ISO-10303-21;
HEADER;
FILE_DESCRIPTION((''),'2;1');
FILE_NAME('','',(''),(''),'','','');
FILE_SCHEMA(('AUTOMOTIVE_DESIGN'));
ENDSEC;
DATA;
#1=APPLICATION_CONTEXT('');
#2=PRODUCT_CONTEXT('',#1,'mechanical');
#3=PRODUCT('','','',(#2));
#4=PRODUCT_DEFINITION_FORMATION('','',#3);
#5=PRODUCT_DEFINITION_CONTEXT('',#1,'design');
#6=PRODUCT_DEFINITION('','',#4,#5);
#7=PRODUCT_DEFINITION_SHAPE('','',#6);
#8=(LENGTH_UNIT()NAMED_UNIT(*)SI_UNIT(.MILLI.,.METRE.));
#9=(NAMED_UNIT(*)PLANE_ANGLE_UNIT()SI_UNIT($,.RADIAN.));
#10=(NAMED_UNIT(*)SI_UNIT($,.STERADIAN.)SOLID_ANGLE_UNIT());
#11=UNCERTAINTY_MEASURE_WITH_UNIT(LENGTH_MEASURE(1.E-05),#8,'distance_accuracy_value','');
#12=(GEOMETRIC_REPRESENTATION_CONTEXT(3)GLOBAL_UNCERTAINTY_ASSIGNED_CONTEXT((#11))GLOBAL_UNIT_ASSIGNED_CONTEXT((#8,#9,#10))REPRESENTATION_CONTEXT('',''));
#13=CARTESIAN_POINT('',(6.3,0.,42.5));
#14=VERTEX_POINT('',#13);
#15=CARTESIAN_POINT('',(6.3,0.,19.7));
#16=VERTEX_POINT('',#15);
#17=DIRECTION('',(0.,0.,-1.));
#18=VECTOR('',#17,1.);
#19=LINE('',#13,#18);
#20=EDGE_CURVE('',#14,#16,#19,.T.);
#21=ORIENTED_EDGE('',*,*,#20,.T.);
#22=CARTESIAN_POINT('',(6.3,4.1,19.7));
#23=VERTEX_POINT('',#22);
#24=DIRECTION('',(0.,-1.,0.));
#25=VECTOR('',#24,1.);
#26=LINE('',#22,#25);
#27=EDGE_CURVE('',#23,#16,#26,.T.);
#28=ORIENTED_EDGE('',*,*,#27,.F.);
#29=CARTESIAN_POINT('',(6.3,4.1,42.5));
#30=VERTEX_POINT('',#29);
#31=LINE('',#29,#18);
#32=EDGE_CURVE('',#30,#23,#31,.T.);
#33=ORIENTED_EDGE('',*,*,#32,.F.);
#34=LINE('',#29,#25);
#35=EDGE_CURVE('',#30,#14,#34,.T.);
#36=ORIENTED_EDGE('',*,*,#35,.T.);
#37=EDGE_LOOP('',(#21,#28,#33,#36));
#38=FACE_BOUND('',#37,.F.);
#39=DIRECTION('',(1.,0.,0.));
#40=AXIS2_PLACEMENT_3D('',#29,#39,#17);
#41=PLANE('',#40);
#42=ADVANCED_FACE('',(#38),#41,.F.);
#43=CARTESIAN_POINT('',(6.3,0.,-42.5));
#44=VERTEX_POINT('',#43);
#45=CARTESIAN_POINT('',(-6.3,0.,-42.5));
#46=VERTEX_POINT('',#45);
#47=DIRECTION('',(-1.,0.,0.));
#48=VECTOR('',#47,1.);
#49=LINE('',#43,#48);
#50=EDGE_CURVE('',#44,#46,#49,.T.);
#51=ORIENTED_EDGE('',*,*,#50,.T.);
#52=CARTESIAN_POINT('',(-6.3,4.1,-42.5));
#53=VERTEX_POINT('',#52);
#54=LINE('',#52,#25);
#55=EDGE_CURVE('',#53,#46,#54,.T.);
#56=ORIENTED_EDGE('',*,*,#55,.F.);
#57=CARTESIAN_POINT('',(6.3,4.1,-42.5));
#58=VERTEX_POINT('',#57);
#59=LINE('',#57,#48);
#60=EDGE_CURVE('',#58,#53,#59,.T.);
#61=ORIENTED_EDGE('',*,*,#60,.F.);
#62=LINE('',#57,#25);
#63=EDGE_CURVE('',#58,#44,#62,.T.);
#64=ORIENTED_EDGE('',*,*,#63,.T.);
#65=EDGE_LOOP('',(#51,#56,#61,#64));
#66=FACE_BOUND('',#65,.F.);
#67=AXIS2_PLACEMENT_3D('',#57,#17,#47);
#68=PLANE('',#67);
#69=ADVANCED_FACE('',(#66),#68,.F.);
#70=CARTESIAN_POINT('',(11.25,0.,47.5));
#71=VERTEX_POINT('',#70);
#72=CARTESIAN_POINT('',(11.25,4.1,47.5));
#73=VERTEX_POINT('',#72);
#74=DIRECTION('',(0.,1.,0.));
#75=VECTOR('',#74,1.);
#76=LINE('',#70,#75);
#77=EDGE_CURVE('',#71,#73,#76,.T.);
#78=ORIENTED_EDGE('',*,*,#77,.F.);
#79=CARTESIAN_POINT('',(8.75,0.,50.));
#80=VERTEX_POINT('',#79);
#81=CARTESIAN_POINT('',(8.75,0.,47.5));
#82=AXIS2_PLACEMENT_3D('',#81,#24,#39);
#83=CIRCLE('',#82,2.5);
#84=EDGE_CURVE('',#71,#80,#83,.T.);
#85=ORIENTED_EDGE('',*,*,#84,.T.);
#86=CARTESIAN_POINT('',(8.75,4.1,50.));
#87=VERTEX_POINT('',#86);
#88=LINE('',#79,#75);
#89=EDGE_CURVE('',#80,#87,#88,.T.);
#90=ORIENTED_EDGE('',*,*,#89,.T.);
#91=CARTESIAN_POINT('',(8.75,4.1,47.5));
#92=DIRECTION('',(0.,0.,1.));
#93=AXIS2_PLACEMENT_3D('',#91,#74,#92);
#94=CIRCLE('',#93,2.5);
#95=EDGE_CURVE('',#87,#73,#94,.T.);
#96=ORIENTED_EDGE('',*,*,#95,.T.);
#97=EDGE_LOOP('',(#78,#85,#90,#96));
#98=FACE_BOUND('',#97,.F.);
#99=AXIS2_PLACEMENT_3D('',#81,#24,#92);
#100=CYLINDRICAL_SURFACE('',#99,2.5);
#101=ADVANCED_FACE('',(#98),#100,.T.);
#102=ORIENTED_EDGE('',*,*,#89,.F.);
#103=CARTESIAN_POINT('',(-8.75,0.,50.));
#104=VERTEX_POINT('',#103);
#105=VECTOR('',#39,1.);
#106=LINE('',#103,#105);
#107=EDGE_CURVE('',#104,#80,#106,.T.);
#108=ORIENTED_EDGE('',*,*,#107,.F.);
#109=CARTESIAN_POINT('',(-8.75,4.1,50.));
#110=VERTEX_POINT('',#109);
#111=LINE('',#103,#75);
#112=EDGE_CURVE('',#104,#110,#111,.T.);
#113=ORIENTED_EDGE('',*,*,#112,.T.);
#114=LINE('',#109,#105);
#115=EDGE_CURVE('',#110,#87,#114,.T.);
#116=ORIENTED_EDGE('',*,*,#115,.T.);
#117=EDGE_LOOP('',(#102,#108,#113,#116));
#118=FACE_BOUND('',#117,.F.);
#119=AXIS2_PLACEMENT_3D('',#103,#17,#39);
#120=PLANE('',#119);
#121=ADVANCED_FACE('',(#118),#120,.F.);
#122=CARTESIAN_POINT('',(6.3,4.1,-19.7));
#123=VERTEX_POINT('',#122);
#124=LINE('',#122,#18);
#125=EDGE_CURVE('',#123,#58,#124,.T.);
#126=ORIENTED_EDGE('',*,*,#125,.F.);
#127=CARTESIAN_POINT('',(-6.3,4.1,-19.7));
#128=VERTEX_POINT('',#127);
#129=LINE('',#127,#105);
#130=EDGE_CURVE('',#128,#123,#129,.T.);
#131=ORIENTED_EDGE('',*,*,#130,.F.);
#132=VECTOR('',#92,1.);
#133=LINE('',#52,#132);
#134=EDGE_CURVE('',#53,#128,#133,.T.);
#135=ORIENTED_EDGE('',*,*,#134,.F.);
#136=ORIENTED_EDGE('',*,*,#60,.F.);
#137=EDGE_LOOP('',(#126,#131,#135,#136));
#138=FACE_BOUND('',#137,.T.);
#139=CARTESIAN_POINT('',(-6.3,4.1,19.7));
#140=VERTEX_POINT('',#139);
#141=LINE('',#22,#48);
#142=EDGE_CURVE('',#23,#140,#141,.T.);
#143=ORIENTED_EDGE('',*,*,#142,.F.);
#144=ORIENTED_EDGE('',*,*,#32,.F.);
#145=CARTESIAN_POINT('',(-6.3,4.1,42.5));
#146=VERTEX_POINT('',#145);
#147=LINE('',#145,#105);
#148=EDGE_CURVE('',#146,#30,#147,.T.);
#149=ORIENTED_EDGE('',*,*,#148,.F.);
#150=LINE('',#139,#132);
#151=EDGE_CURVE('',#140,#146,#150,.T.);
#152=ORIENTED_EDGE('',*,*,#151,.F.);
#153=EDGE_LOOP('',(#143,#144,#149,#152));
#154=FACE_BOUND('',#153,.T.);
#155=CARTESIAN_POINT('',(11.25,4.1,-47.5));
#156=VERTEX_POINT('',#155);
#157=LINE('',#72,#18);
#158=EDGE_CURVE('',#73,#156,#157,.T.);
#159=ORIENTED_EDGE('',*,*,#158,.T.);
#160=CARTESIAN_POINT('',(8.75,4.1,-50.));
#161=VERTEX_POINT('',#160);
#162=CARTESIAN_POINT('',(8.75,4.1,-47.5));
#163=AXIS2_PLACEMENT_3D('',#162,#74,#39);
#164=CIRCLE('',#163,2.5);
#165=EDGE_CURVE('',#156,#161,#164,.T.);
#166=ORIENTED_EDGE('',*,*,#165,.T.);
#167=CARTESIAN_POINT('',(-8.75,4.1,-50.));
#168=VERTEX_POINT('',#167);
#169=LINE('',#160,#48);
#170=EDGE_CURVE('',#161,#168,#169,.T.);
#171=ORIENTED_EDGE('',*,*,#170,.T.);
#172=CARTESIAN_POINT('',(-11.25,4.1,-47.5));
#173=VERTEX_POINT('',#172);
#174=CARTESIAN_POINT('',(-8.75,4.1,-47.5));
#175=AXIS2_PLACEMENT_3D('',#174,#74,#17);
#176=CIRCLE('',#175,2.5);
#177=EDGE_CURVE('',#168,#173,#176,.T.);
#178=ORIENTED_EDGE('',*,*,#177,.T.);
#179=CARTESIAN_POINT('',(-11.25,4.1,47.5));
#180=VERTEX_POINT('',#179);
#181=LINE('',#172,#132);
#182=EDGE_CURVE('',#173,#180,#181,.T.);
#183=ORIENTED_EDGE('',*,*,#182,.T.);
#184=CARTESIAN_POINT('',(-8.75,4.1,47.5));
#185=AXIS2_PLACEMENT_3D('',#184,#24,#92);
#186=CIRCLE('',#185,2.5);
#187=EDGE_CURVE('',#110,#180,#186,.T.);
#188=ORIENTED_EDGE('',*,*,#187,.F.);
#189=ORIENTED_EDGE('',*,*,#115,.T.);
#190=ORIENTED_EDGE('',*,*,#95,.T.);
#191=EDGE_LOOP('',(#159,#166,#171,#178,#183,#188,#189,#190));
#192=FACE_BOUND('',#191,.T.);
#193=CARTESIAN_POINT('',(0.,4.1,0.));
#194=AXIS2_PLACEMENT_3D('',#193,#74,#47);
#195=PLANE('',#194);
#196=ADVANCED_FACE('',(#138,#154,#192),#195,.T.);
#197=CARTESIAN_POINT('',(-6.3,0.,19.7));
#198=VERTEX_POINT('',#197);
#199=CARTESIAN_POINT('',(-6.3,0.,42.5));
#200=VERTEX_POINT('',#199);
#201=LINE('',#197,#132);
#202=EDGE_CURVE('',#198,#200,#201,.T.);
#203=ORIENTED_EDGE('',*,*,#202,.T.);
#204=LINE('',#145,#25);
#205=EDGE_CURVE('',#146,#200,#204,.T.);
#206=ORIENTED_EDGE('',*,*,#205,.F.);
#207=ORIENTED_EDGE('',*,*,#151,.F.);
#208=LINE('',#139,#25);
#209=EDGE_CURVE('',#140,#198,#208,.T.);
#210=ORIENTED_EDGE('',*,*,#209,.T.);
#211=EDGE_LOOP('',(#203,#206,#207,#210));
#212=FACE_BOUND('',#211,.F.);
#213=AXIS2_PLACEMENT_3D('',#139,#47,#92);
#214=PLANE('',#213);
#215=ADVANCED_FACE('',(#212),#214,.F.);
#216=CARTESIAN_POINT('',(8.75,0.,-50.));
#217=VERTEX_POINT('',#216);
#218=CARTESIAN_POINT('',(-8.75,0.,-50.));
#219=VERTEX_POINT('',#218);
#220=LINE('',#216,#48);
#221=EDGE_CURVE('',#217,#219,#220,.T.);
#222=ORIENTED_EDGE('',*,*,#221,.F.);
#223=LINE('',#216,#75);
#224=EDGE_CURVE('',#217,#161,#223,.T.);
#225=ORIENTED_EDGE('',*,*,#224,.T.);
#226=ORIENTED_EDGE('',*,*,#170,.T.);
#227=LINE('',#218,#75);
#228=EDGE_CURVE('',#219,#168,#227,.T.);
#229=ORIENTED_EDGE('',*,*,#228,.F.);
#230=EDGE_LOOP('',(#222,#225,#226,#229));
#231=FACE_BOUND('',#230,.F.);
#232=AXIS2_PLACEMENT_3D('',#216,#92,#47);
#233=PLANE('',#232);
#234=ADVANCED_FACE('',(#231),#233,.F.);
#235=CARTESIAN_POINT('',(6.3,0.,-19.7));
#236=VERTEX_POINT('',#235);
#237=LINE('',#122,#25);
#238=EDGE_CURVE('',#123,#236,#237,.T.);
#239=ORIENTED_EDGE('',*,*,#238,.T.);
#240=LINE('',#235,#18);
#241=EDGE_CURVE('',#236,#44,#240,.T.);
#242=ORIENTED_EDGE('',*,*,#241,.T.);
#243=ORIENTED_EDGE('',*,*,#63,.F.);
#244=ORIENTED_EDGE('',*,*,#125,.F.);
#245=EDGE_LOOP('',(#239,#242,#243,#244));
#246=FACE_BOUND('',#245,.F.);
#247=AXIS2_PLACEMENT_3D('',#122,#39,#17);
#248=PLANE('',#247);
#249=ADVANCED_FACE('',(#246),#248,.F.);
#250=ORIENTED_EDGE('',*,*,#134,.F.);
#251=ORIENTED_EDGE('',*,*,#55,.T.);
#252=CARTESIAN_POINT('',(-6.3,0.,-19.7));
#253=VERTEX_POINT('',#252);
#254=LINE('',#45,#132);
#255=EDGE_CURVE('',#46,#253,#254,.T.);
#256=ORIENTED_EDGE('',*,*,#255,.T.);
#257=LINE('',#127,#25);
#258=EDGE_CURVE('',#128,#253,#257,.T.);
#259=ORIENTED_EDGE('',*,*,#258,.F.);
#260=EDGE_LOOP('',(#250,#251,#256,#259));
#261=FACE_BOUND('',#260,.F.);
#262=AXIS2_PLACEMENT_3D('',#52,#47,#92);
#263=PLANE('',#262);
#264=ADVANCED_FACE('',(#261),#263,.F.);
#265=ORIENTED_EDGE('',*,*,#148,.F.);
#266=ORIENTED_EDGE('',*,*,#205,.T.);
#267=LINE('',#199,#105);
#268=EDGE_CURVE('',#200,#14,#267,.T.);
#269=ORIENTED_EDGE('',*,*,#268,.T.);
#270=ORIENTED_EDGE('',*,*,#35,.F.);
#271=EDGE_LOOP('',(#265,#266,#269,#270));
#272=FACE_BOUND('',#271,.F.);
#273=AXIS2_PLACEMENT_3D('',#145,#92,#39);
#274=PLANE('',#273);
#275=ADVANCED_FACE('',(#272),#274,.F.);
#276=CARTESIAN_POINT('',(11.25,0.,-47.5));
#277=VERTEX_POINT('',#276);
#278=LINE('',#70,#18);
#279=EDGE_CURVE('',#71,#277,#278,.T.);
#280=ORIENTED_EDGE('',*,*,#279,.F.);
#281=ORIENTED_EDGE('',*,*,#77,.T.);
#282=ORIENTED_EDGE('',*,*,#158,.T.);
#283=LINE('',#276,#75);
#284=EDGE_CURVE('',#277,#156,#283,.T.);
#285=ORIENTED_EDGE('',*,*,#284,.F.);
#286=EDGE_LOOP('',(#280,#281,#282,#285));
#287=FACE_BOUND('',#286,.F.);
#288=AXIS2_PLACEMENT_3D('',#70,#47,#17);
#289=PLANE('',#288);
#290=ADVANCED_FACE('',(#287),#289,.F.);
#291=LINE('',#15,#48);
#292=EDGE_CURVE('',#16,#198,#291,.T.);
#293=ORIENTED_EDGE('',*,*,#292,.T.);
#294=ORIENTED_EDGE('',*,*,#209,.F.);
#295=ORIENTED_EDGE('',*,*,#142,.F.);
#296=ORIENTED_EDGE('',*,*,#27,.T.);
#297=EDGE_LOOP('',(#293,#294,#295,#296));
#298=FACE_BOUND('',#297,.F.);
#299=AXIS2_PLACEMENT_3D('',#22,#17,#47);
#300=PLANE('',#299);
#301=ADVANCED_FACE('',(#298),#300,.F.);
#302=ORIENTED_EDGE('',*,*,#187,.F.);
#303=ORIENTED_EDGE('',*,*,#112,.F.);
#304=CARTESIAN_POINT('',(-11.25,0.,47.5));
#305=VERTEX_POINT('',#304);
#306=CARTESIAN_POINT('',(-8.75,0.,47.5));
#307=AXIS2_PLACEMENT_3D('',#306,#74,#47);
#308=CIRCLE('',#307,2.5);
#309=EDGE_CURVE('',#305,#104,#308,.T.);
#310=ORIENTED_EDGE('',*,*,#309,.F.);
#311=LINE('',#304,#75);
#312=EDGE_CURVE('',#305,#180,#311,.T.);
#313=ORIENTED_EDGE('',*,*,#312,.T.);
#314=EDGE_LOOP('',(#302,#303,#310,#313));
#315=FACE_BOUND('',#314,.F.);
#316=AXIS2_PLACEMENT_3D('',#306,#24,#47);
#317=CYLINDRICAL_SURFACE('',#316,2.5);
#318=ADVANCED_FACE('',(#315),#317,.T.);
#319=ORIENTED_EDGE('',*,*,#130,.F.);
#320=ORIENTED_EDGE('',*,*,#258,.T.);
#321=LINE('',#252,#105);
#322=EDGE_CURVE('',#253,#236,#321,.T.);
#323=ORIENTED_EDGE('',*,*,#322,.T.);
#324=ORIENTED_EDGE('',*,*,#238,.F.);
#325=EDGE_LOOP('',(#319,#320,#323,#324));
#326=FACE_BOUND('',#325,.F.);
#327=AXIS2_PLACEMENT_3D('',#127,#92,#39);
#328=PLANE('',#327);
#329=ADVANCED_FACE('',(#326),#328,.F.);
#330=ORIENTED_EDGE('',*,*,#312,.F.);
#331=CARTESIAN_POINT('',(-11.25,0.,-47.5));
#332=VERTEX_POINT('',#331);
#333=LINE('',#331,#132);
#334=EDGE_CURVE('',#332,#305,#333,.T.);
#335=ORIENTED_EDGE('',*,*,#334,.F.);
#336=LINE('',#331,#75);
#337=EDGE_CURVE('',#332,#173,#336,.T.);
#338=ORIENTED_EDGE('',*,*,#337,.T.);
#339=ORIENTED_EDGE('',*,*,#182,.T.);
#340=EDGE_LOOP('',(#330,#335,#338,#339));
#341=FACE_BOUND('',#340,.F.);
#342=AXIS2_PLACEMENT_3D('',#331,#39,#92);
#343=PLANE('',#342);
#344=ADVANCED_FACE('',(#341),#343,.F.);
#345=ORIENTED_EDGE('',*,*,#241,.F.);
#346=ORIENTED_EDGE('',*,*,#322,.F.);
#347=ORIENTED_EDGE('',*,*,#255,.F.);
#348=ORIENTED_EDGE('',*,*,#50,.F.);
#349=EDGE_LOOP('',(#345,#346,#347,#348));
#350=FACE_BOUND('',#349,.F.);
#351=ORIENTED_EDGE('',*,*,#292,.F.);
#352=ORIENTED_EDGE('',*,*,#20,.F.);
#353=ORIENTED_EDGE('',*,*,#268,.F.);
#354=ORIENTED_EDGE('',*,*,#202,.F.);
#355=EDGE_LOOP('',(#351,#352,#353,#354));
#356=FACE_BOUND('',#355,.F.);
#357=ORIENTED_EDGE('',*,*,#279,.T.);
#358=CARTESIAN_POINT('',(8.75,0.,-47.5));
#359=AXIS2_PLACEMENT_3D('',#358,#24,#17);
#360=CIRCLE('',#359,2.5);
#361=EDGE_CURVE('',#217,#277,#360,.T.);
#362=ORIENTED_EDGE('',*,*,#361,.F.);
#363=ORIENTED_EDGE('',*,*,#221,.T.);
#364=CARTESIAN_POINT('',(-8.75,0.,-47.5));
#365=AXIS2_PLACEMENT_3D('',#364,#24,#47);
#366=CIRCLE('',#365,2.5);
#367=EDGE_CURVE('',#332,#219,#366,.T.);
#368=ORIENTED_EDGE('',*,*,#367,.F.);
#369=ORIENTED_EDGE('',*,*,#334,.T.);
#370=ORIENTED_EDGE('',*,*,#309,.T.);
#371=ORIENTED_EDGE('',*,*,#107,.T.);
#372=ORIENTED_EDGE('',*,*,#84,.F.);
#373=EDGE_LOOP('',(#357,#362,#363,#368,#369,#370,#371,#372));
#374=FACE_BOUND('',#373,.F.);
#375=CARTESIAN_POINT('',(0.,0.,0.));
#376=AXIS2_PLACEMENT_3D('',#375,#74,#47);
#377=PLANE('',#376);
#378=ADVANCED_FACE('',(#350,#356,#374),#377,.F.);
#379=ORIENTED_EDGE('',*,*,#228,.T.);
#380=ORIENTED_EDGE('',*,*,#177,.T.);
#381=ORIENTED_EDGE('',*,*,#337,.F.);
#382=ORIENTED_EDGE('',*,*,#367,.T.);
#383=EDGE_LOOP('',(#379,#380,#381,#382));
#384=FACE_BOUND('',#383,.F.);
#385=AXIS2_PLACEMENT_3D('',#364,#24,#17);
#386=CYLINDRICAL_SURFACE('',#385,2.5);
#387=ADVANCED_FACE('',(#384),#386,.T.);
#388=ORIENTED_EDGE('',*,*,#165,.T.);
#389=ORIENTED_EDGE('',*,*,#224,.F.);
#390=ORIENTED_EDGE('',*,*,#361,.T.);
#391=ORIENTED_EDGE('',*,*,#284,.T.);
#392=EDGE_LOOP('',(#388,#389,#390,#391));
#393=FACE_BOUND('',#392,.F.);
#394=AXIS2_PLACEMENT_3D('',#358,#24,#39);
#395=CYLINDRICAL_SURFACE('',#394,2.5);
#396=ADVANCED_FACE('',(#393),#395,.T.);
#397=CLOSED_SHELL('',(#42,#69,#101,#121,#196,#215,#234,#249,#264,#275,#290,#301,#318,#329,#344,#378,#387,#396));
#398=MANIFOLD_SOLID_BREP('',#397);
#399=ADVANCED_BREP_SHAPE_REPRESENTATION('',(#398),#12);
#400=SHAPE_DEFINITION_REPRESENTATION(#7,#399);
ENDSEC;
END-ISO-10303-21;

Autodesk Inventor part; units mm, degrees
ref_plane "YZ Plane" through (0, 0, 0) normal (1, 0, 0) x (0, 1, 0)
ref_plane "XZ Plane" through (0, 0, 0) normal (0, 1, 0) x (-1, 0, 0)
ref_plane "XY Plane" through (0, 0, 0) normal (0, 0, 1) x (1, 0, 0)
sketch "Szkic1" plane through (0, 0, 0) normal (0, 1, 0) x (-1, 0, 0)
  line L0 (8.75, 50) -> (-8.75, 50)
  line L1 (-11.25, 47.5) -> (-11.25, -47.5)
  line L2 (-8.75, -50) -> (8.75, -50)
  line L3 (11.25, -47.5) -> (11.25, 47.5)
  line L4 (-11.25, 50) -> (11.25, -50)
  line L5 (-11.25, -50) -> (11.25, 50)
  arc A0 (11.25, 47.5) -> (8.75, 50) centre (8.75, 47.5) ccw
  arc A1 (-8.75, 50) -> (-11.25, 47.5) centre (-8.75, 47.5) ccw
  arc A2 (-11.25, -47.5) -> (-8.75, -50) centre (-8.75, -47.5) ccw
  arc A3 (8.75, -50) -> (11.25, -47.5) centre (8.75, -47.5) ccw
  point P0 (0, 0)
  point P1 (0, 0)
  dimension "d0" = 22.5
  dimension "d1" = 100
  dimension "d2" = 2.5
extrude "Wyciągnięcie proste1" add sketch "Szkic1" along normal blind 4.1
sketch "Szkic2" plane through (0, 4.1, 0) normal (0, 1, 0) x (1, 0, 0)
  line L0 (-6.3, -42.5) -> (6.3, -42.5)
  line L1 (6.3, -42.5) -> (6.3, -19.7)
  line L2 (6.3, -19.7) -> (-6.3, -19.7)
  line L3 (-6.3, -19.7) -> (-6.3, -42.5)
  line L4 (-8.75, -50) -> (8.75, -50) projected
  line L5 (11.25, -47.5) -> (11.25, 47.5) projected
  line L6 (-6.3, 19.7) -> (6.3, 19.7)
  line L7 (6.3, 19.7) -> (6.3, 42.5)
  line L8 (6.3, 42.5) -> (-6.3, 42.5)
  line L9 (-6.3, 42.5) -> (-6.3, 19.7)
  line L10 (-15.75, 0) -> (15.75, 0) projected
  point P0 (0, 0)
  point P1 (0, -42.5)
  dimension "d5" = 12.6
  dimension "d6" = 22.8
  dimension "d7" = 7.5
  dimension "d8" = 11.25
extrude "Wyciągnięcie proste2" cut sketch "Szkic2" against normal blind 4.1
properties part number "arm_medium_part_v2"
